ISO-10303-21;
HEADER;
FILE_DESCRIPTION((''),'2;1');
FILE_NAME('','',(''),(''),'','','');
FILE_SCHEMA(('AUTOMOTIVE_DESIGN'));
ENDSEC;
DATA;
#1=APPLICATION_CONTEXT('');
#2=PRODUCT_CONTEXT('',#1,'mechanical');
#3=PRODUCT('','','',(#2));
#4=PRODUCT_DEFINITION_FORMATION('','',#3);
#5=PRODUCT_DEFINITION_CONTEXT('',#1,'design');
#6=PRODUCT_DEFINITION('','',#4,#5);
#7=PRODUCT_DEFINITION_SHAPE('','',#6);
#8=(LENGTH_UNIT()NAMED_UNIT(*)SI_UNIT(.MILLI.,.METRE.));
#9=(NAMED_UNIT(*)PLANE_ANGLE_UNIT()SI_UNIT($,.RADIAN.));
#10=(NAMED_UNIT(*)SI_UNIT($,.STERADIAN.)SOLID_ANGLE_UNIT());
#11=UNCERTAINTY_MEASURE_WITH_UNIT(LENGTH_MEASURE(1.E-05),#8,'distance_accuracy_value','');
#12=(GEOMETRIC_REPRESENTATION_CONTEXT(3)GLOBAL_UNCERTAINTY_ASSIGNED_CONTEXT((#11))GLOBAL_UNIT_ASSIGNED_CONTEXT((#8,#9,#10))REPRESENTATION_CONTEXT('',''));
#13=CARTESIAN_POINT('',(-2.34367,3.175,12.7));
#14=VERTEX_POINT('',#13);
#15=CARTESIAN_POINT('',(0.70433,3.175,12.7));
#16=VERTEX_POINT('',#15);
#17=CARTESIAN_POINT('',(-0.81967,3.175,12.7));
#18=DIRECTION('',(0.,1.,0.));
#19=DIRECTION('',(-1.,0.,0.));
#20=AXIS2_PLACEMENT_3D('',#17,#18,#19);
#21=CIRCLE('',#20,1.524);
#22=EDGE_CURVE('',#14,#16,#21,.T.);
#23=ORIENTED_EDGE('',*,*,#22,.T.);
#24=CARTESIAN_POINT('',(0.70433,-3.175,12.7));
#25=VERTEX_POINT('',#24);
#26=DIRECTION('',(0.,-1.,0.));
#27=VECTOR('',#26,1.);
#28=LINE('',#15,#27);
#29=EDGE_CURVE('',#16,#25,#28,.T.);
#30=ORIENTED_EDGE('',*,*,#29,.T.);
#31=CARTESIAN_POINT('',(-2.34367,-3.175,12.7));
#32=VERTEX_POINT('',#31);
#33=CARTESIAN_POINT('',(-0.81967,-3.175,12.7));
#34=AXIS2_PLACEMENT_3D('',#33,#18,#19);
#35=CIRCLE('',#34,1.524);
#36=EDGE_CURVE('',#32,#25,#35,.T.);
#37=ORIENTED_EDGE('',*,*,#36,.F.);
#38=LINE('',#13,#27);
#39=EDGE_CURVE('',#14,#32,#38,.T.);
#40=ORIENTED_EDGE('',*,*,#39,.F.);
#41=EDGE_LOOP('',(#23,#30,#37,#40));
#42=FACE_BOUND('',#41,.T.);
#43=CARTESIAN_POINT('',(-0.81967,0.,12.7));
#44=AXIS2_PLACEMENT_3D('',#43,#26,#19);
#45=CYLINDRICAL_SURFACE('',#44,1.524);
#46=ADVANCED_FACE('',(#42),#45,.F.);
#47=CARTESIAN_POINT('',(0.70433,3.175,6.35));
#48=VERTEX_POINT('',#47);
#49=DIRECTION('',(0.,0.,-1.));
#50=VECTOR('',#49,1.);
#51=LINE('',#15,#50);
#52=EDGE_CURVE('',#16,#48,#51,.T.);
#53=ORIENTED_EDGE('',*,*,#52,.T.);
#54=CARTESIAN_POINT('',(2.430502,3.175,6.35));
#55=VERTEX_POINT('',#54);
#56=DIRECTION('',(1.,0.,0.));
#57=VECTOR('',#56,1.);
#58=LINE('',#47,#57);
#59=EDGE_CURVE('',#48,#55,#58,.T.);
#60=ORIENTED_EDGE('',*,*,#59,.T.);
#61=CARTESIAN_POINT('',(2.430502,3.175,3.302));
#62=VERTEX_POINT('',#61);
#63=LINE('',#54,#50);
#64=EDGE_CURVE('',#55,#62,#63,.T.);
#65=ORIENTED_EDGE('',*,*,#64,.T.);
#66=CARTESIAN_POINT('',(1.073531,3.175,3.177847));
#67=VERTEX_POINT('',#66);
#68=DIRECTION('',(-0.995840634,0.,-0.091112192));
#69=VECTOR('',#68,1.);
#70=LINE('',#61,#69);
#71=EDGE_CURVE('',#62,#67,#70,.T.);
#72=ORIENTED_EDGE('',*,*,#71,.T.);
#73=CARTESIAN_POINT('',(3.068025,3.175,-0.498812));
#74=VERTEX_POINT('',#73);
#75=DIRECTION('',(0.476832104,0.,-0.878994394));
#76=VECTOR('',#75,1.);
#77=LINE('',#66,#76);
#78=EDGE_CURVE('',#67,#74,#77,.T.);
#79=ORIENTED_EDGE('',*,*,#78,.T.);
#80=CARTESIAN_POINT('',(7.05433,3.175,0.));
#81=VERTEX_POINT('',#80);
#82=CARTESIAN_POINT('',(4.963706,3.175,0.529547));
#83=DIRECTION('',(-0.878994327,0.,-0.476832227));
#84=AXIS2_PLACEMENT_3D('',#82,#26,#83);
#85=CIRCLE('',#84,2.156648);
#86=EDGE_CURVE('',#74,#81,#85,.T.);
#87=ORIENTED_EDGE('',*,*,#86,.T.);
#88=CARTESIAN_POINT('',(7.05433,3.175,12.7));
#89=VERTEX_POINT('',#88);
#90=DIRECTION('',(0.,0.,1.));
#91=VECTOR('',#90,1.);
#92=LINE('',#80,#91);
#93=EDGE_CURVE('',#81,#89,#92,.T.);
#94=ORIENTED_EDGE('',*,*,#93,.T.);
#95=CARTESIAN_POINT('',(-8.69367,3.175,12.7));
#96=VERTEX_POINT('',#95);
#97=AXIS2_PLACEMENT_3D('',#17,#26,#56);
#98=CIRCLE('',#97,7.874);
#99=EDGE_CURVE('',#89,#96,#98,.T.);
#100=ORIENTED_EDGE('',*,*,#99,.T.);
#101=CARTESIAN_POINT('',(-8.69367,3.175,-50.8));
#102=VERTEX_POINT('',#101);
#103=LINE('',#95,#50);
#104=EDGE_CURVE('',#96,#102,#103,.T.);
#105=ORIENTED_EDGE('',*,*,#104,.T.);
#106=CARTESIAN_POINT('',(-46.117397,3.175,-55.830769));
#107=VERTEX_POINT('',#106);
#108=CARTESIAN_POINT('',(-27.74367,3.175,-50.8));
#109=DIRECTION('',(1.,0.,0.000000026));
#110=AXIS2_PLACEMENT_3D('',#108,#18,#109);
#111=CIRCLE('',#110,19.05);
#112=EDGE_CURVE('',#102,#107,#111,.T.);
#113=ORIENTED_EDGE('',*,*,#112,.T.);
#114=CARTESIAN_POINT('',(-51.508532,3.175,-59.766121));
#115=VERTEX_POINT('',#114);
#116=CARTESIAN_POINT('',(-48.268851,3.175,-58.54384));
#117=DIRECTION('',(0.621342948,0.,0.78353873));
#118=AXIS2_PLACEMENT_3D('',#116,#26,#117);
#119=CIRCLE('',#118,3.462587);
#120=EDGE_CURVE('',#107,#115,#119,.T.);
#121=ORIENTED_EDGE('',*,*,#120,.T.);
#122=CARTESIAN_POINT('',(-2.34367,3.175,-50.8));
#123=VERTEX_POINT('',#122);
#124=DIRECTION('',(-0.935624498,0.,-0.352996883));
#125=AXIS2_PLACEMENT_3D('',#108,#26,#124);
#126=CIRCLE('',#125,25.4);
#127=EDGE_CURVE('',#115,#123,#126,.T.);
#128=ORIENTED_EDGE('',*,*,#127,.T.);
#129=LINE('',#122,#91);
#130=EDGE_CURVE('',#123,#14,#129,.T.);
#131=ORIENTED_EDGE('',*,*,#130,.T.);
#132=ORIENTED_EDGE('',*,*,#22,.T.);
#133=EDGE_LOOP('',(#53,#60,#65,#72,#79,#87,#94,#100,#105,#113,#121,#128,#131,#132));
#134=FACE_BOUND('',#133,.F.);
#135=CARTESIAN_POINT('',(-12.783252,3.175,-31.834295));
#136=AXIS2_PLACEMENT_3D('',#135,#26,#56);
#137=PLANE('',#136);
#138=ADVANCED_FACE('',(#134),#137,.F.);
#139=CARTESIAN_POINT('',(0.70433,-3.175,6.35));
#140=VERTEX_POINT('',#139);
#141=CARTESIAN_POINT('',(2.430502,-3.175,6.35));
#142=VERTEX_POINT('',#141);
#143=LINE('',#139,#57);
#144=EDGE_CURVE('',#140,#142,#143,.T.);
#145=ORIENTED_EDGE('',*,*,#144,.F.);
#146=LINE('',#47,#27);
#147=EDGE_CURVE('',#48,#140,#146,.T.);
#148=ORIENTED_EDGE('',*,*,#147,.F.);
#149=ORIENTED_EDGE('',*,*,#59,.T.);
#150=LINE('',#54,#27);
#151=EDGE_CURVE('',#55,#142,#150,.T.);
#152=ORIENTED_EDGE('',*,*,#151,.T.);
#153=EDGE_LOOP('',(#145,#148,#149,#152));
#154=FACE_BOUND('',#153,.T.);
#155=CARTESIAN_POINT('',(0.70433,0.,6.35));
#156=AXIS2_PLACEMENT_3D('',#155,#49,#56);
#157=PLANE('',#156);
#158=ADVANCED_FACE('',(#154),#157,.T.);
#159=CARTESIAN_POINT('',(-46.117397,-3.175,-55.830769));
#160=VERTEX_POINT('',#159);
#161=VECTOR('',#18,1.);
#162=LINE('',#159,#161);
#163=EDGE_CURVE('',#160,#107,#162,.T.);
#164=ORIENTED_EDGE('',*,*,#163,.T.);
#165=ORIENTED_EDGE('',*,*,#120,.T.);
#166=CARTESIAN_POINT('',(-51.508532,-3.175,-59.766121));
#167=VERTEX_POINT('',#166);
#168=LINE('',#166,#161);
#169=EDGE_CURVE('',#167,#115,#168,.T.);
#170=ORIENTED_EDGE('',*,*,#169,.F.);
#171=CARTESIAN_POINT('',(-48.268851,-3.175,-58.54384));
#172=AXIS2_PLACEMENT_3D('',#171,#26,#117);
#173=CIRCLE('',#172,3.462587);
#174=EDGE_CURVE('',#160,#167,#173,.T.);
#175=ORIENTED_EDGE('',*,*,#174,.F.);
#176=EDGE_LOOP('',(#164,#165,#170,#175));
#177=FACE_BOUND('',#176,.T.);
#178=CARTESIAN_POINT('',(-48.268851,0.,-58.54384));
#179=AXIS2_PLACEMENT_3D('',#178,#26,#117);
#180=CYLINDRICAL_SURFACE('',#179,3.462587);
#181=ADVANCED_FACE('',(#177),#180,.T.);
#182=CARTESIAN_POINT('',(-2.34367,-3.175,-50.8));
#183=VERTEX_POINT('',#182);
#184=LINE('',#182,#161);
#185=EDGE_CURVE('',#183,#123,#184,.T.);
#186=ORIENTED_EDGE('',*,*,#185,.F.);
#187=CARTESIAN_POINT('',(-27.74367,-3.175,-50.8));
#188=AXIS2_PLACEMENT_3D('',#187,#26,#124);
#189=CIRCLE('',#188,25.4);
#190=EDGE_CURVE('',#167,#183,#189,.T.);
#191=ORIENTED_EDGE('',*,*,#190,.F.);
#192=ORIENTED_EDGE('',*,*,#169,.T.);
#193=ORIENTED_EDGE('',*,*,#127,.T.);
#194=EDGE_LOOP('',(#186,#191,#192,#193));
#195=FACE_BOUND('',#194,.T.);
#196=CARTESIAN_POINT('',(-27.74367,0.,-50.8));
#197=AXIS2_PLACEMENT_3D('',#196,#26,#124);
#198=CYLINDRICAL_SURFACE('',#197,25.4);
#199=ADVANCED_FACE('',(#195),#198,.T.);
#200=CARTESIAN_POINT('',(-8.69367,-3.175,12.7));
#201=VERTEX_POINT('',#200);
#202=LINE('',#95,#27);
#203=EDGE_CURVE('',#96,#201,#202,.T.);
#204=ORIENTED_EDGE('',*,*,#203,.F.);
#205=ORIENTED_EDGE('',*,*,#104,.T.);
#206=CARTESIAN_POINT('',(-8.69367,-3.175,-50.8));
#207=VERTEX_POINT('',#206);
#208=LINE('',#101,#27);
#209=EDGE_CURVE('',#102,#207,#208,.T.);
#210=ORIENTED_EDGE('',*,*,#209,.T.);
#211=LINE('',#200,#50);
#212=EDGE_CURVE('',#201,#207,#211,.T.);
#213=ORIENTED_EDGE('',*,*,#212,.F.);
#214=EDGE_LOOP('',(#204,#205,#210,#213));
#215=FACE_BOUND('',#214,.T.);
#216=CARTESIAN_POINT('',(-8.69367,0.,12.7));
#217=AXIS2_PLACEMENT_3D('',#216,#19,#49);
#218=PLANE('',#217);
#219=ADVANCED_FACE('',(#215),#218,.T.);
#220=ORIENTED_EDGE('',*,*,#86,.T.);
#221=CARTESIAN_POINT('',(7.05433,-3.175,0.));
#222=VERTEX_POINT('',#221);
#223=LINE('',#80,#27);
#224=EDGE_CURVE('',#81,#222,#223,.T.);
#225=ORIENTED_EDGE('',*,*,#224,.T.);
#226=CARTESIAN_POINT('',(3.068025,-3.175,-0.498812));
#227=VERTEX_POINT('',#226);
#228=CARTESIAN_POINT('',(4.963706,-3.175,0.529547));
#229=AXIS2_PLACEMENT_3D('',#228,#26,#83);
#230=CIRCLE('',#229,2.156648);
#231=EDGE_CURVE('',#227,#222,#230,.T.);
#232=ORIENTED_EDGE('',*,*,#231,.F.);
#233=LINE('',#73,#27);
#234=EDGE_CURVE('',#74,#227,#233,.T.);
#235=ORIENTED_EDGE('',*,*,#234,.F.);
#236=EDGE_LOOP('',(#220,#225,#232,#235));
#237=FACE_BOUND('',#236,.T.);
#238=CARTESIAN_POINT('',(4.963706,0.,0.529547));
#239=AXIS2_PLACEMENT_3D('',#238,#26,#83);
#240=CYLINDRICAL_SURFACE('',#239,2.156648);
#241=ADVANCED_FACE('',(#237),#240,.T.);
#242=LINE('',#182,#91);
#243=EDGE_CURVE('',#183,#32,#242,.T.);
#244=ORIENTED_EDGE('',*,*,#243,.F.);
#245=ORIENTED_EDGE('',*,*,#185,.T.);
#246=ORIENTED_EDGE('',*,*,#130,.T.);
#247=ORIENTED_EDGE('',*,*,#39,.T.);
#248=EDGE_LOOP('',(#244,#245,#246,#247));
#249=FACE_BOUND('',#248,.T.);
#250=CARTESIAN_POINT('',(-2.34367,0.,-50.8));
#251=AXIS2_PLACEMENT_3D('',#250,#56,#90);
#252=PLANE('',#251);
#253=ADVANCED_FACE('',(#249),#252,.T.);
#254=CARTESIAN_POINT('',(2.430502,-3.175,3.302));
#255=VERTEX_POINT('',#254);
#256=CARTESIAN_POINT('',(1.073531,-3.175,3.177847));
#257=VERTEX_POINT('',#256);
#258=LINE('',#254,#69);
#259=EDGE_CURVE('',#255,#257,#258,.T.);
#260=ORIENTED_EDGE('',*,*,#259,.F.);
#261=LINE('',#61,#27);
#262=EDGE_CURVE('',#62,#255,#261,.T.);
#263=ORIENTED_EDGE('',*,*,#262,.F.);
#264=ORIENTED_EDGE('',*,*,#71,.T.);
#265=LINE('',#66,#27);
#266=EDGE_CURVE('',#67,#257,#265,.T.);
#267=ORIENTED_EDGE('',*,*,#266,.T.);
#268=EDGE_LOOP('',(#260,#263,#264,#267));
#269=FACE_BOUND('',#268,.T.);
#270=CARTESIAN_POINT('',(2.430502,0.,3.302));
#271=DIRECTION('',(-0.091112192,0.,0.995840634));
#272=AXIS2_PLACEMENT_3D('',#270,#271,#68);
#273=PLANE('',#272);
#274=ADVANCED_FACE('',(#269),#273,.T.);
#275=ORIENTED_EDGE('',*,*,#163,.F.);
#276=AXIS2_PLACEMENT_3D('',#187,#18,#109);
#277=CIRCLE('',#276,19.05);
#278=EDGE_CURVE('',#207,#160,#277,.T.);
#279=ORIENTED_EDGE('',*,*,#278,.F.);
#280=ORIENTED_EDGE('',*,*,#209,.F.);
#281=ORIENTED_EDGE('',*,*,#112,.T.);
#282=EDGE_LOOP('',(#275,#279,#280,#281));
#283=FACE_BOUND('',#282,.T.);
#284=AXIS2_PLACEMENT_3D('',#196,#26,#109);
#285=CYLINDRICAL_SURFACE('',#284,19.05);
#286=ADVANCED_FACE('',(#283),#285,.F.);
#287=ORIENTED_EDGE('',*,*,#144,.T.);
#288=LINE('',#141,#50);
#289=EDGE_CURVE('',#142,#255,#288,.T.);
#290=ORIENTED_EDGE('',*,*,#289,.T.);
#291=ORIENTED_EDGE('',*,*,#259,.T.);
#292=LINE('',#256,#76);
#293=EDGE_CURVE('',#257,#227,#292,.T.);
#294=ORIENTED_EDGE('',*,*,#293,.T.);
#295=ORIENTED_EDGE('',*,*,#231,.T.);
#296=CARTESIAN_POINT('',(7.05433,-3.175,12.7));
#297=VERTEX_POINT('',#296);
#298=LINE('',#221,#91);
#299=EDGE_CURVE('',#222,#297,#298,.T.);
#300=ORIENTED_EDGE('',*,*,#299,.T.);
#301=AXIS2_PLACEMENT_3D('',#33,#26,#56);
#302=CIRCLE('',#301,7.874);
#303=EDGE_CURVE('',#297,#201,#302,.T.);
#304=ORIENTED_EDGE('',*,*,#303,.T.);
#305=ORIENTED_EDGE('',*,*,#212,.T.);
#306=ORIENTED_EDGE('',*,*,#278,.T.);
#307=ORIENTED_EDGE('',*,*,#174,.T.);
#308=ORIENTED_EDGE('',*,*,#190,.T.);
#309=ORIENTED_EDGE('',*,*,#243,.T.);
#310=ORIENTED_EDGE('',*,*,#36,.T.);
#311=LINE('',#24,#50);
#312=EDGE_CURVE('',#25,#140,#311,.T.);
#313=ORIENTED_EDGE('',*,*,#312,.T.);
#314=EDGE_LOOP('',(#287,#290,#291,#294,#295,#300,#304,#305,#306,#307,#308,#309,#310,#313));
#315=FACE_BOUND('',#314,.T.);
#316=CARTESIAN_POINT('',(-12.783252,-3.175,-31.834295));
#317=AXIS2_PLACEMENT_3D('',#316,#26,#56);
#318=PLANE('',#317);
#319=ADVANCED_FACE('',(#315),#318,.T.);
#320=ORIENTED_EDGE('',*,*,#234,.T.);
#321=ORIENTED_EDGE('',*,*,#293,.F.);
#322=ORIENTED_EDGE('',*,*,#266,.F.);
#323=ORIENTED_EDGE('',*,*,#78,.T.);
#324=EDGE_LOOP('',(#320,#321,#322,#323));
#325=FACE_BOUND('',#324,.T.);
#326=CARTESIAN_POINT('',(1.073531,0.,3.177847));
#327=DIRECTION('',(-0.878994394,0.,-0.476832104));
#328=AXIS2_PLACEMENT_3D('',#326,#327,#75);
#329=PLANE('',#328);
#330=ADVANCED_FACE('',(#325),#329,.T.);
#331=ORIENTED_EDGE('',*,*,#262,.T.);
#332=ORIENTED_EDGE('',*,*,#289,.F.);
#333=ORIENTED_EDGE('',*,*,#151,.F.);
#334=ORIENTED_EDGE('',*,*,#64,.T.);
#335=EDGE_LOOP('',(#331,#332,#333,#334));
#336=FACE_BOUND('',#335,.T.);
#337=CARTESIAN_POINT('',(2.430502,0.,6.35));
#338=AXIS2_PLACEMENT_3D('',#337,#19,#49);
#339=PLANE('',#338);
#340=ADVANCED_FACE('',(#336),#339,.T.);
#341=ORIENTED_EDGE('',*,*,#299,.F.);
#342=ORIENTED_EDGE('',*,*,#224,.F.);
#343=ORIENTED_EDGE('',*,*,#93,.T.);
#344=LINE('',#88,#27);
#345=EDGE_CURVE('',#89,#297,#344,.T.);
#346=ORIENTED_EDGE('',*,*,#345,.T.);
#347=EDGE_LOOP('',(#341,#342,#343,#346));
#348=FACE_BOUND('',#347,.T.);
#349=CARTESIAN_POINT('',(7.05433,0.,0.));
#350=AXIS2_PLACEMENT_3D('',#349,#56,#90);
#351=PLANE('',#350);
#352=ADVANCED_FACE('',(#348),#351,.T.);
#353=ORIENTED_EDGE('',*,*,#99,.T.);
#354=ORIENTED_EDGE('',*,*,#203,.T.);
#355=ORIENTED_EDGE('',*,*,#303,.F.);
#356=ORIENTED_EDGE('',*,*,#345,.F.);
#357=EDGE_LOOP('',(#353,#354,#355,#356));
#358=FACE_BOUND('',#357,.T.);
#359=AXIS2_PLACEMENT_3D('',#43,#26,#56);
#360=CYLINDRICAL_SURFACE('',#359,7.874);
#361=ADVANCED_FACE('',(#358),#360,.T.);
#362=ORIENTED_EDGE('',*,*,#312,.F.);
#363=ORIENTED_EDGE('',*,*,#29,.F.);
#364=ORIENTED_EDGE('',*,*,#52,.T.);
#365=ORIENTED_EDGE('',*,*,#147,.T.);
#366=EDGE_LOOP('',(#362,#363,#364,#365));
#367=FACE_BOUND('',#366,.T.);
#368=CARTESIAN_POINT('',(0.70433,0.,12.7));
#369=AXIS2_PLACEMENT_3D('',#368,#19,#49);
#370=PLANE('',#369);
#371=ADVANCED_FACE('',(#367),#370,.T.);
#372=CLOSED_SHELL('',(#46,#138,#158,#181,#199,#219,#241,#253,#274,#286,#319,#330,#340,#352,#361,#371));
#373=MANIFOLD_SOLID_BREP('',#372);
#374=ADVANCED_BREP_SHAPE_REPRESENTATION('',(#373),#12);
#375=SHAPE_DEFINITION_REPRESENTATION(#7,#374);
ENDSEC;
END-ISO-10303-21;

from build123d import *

# Parameters (mm, degrees)
F1_DEPTH = 3.175


with BuildPart() as f1:
    # F0 (on Front) → F1 (new body, symmetric)
    with BuildSketch(Plane.XZ):
        with BuildLine():
            Line((-2.34367, -50.8), (-2.34367, 12.7))
            ThreePointArc((-2.34367, 12.7), (-0.81967, 14.224), (0.70433, 12.7))
            Line((0.70433, 12.7), (0.70433, 6.35))
            Line((0.70433, 6.35), (2.430502, 6.35))
            Line((2.430502, 6.35), (2.430502, 3.302))
            Line((2.430502, 3.302), (1.073531, 3.177847))
            Line((1.073531, 3.177847), (3.068025, -0.498812))
            ThreePointArc((3.068025, -0.498812), (5.231482, -1.610412), (7.05433, 0))
            Line((7.05433, 0), (7.05433, 12.7))
            ThreePointArc((7.05433, 12.7), (-0.81967, 20.574), (-8.69367, 12.7))
            Line((-8.69367, 12.7), (-8.69367, -50.8))
            ThreePointArc((-8.69367, -50.8), (-25.205659, -69.680175), (-46.117397, -55.830769))
            ThreePointArc((-46.117397, -55.830769), (-50.310372, -55.74711), (-51.508532, -59.766121))
            ThreePointArc((-51.508532, -59.766121), (-23.186669, -75.787872), (-2.34367, -50.8))
        make_face()
    extrude(amount=F1_DEPTH, both=True)


solid = f1.part
